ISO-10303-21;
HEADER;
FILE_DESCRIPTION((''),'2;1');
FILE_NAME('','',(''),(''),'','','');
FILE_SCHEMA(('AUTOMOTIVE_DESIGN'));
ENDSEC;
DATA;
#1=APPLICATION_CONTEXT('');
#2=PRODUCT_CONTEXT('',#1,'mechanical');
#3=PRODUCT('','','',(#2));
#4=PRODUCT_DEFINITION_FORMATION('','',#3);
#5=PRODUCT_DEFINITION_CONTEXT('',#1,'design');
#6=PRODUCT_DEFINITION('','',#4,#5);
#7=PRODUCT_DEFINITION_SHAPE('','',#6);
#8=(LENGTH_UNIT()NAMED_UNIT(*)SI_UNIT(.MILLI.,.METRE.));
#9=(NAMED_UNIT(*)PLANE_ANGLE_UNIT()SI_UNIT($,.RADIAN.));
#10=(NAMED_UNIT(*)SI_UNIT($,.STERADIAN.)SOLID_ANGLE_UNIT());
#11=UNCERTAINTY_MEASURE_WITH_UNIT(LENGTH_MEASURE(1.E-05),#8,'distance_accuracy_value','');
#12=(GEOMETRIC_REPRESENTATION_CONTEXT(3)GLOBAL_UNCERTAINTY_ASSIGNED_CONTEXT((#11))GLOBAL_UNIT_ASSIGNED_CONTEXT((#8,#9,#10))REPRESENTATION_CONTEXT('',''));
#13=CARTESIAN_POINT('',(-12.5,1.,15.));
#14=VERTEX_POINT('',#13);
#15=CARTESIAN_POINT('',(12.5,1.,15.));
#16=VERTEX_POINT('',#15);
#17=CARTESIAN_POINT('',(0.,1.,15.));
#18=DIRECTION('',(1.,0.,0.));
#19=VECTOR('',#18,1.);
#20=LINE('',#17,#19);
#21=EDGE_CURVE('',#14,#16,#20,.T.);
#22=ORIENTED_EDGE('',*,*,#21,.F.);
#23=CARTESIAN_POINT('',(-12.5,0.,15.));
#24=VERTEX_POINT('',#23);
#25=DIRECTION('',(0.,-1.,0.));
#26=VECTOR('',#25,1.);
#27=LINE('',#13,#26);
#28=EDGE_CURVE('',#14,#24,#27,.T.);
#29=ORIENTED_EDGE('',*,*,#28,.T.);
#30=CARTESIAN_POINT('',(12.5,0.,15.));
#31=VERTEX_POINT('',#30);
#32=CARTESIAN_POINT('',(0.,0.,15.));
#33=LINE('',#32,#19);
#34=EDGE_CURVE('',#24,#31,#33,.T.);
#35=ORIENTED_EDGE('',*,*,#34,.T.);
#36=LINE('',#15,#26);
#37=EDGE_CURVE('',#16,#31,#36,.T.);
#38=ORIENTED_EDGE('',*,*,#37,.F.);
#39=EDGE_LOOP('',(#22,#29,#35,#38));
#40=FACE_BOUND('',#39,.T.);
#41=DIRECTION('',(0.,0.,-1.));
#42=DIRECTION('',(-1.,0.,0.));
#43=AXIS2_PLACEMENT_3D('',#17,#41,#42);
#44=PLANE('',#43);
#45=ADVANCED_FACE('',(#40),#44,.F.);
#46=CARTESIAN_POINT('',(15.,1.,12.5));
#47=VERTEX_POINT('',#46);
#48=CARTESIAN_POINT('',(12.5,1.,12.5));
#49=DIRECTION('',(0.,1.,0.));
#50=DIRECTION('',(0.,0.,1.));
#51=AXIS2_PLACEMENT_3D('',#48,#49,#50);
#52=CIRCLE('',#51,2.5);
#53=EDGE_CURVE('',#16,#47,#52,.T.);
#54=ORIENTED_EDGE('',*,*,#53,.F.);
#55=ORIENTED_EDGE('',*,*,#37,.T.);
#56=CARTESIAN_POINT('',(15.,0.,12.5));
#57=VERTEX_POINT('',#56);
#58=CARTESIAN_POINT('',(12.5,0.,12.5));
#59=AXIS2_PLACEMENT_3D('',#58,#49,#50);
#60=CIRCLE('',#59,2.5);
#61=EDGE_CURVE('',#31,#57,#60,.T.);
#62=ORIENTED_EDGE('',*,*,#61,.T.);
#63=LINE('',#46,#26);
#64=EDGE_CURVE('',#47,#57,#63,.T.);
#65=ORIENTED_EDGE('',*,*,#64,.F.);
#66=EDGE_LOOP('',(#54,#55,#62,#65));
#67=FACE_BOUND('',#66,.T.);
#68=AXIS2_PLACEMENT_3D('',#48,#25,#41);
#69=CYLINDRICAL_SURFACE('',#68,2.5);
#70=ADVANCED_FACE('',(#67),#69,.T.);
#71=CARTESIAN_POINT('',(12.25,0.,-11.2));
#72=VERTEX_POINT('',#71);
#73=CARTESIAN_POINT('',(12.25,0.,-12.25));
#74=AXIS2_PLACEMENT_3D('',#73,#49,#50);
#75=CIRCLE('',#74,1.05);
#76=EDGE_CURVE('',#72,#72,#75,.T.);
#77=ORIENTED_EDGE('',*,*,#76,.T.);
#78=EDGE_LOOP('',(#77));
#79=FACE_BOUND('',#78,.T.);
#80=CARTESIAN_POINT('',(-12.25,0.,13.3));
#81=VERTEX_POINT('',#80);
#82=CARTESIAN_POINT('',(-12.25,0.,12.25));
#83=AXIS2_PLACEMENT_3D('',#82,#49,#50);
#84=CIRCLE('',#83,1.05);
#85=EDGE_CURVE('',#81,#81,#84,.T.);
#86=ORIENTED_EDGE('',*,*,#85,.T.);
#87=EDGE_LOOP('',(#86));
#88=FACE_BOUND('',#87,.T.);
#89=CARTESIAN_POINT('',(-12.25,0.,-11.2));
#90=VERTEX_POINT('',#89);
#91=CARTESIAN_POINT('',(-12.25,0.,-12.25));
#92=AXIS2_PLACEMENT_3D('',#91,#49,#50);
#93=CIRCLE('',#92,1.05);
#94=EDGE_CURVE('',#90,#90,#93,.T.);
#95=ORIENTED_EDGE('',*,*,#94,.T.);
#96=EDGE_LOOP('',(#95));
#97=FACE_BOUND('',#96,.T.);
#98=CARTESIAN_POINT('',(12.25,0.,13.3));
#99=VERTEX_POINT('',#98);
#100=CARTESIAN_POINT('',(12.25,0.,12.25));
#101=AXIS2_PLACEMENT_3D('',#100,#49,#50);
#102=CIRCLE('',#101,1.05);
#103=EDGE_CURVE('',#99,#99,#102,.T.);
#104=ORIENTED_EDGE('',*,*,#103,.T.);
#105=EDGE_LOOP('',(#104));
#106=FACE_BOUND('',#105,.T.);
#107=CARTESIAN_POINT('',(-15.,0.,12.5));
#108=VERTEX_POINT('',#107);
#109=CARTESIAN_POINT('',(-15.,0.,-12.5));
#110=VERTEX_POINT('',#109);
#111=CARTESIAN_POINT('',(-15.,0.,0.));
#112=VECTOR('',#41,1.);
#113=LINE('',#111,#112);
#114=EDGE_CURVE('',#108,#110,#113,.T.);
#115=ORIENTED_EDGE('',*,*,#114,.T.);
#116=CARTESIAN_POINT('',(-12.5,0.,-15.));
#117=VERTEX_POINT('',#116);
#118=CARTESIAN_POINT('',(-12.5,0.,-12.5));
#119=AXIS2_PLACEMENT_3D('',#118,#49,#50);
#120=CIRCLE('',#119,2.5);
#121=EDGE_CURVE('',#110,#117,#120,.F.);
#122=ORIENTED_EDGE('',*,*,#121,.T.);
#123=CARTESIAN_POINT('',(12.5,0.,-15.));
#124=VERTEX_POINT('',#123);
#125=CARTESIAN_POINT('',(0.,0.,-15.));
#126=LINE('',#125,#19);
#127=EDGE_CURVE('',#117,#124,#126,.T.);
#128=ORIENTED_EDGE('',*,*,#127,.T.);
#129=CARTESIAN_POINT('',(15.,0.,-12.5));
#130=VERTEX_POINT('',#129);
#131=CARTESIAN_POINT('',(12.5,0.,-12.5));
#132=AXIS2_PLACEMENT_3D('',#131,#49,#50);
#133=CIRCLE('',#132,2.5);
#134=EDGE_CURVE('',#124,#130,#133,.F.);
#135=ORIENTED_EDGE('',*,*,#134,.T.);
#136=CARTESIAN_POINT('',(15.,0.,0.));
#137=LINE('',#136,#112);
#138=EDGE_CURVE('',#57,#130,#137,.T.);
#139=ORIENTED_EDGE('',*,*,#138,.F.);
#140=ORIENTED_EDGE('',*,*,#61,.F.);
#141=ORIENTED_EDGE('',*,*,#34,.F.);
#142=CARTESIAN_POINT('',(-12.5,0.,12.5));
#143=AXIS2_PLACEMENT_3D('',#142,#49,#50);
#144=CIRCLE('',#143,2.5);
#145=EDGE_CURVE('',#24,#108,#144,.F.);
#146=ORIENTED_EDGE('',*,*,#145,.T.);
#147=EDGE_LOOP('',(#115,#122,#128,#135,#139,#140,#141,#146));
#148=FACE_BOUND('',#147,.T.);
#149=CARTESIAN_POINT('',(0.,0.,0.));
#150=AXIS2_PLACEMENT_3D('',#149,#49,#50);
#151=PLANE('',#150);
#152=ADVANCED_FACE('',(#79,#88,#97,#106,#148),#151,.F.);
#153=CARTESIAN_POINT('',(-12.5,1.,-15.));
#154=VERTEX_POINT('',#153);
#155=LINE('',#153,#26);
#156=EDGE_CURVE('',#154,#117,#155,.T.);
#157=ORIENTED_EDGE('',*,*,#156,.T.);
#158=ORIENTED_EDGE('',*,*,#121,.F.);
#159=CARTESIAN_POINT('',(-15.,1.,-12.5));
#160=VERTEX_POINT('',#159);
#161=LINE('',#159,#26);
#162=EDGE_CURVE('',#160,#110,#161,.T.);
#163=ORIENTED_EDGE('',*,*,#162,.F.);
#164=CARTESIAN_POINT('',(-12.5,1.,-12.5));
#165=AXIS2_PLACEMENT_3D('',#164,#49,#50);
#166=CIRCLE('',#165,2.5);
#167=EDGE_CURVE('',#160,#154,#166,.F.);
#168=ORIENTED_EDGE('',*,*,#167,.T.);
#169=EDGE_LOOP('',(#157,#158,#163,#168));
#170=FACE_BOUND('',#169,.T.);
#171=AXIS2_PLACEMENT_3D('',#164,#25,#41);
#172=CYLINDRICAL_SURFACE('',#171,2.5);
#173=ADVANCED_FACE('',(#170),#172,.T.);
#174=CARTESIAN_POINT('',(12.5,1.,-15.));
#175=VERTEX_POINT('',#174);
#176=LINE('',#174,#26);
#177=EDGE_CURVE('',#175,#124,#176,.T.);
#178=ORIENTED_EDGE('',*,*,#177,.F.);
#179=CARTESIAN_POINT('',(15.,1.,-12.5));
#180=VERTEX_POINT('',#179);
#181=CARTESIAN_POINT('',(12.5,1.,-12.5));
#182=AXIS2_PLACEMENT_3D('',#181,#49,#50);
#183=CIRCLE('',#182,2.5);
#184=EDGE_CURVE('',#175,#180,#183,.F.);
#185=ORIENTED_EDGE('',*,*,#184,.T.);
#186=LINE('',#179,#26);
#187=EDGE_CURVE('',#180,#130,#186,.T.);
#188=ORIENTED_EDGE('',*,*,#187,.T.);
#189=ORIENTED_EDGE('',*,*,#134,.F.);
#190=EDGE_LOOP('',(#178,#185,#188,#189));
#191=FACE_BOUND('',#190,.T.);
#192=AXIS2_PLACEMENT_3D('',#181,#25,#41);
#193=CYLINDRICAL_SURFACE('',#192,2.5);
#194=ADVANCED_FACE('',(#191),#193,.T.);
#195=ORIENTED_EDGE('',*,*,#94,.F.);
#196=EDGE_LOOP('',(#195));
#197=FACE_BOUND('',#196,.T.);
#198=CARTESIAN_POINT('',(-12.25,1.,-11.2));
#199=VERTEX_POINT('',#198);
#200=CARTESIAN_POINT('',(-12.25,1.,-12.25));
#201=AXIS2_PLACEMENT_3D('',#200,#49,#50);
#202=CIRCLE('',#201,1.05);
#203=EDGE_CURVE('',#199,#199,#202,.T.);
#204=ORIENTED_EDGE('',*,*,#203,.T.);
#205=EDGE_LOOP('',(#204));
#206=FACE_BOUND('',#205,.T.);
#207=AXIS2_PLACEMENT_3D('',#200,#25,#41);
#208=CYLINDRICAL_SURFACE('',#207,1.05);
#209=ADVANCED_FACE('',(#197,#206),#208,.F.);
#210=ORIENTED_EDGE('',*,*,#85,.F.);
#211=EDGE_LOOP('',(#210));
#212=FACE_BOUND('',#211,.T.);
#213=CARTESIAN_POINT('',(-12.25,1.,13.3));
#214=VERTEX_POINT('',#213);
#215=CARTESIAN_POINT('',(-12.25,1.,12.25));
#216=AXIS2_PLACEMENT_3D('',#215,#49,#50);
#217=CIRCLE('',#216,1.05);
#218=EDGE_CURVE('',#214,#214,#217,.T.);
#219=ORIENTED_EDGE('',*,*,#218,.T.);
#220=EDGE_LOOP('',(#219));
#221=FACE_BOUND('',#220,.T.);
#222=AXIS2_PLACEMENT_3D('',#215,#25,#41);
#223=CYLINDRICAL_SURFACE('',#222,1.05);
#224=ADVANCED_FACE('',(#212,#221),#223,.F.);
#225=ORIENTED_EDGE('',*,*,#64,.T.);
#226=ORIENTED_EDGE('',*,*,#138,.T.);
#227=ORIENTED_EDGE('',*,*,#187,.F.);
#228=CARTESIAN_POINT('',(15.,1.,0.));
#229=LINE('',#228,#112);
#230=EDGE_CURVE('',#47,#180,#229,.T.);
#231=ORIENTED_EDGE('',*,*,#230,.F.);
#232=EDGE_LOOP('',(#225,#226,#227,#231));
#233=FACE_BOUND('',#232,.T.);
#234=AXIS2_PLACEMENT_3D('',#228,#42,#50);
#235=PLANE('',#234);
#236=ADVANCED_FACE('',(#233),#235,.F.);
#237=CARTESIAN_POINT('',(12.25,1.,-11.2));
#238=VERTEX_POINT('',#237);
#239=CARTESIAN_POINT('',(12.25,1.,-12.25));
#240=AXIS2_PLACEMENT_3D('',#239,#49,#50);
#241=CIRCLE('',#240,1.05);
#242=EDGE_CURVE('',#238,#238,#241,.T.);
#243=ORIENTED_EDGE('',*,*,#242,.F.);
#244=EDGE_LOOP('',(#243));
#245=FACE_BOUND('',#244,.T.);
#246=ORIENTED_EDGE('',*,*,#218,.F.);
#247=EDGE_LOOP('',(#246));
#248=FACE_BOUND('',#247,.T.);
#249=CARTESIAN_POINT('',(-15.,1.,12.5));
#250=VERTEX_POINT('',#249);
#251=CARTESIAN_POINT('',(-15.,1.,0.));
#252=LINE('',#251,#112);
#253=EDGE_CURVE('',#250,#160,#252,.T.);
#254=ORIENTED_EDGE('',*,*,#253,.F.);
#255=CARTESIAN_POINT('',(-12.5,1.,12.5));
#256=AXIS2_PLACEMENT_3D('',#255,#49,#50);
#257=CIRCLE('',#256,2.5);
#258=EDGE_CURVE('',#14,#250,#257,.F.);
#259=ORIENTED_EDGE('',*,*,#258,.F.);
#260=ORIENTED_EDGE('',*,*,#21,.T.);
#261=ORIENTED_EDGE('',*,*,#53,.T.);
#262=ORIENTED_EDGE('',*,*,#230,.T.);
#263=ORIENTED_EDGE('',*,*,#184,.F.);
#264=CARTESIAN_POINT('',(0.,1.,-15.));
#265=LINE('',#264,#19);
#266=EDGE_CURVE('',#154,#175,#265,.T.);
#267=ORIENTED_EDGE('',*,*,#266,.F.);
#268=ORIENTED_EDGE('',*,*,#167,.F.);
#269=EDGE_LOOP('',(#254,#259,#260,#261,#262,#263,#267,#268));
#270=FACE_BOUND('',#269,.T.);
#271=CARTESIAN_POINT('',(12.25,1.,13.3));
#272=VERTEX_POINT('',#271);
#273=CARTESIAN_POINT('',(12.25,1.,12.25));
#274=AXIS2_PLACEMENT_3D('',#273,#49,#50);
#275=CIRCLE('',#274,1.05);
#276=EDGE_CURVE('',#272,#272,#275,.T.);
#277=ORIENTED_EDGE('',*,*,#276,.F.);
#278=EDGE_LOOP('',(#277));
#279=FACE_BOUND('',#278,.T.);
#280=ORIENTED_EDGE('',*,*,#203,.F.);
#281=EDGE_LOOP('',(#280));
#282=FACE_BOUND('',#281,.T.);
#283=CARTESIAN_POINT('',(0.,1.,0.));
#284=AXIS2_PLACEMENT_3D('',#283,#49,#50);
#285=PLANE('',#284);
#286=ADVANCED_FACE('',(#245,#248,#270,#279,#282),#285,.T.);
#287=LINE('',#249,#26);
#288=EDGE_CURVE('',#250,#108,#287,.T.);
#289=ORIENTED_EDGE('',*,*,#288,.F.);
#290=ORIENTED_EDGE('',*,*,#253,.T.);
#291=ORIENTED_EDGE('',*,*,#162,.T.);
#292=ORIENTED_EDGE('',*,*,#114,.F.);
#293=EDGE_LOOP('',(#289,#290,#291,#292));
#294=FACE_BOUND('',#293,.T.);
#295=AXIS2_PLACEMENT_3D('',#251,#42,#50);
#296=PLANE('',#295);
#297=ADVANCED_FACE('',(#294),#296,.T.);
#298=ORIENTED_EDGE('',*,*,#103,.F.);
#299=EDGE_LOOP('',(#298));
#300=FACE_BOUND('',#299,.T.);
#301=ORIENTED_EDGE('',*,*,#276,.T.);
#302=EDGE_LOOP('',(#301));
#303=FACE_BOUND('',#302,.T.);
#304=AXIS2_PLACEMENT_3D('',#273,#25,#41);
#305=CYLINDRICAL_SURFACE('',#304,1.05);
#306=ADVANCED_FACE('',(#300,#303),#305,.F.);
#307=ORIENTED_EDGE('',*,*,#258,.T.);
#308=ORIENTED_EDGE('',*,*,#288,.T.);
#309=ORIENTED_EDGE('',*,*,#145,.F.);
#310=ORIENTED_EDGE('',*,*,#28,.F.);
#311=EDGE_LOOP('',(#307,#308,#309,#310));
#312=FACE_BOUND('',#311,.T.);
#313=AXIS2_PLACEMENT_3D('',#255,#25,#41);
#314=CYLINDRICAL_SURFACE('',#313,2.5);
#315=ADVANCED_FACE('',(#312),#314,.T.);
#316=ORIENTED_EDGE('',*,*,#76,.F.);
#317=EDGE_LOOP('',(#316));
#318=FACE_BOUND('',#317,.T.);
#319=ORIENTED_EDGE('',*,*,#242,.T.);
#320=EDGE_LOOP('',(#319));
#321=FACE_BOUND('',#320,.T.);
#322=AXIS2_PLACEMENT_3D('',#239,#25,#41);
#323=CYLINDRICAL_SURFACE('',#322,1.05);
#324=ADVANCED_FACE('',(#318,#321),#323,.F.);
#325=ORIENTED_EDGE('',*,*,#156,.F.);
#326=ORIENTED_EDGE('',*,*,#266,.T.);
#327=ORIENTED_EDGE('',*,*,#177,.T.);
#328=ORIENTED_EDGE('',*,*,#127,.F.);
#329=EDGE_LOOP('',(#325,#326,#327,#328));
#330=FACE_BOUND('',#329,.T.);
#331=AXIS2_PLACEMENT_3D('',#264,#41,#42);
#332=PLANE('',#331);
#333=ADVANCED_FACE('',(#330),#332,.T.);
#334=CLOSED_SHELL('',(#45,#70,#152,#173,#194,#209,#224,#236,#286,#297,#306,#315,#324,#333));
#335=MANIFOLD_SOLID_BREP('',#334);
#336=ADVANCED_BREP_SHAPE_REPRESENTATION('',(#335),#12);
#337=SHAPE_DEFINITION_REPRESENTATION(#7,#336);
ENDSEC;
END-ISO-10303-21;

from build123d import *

# Parameters (mm, degrees)
BOSS_EXTRUDE1_DEPTH = 1


with BuildPart() as part:
    # Sketch1 → Boss-Extrude1 (new body)
    with BuildSketch(Plane(origin=(0, 0, 0), x_dir=(1, 0, 0), z_dir=(0, 1, 0))):
        with BuildLine():
            Line((-12.25, -13.3), (-12.25, -15))
            Line((-12.25, -15), (12.25, -15))
            Line((12.25, -15), (12.25, -13.3))
            ThreePointArc((12.25, -13.3), (11.50753788, -11.50753788), (13.3, -12.25))
            Line((13.3, -12.25), (15, -12.25))
            Line((15, -12.25), (15, 12.25))
            Line((15, 12.25), (13.3, 12.25))
            ThreePointArc((13.3, 12.25), (11.50753788, 11.50753788), (12.25, 13.3))
            Line((12.25, 13.3), (12.25, 15))
            Line((12.25, 15), (-12.25, 15))
            Line((-12.25, 15), (-12.25, 13.3))
            ThreePointArc((-12.25, 13.3), (-11.50753788, 12.99246212), (-11.2, 12.25))
            ThreePointArc((-11.2, 12.25), (-12.25, 11.2), (-13.3, 12.25))
            Line((-13.3, 12.25), (-15, 12.25))
            Line((-15, 12.25), (-15, -12.25))
            Line((-15, -12.25), (-13.3, -12.25))
            ThreePointArc((-13.3, -12.25), (-12.25, -11.2), (-11.2, -12.25))
            ThreePointArc((-11.2, -12.25), (-11.50753788, -12.99246212), (-12.25, -13.3))
        make_face()
        with BuildLine():
            Line((-15, 12.5), (-15, 12.25))
            Line((-15, 12.25), (-13.3, 12.25))
            ThreePointArc((-13.3, 12.25), (-12.99246212, 12.99246212), (-12.25, 13.3))
            Line((-12.25, 13.3), (-12.25, 15))
            Line((-12.25, 15), (-12.5, 15))
            ThreePointArc((-12.5, 15), (-14.267766953, 14.267766953), (-15, 12.5))
        make_face()
        with BuildLine():
            Line((13.3, 12.25), (15, 12.25))
            Line((15, 12.25), (15, 12.5))
            ThreePointArc((15, 12.5), (14.267766953, 14.267766953), (12.5, 15))
            Line((12.5, 15), (12.25, 15))
            Line((12.25, 15), (12.25, 13.3))
            ThreePointArc((12.25, 13.3), (12.99246212, 12.99246212), (13.3, 12.25))
        make_face()
        with BuildLine():
            Line((12.25, -13.3), (12.25, -15))
            Line((12.25, -15), (12.5, -15))
            ThreePointArc((12.5, -15), (14.267766953, -14.267766953), (15, -12.5))
            Line((15, -12.5), (15, -12.25))
            Line((15, -12.25), (13.3, -12.25))
            ThreePointArc((13.3, -12.25), (12.99246212, -12.99246212), (12.25, -13.3))
        make_face()
        with BuildLine():
            ThreePointArc((-15, -12.5), (-14.267766953, -14.267766953), (-12.5, -15))
            Line((-12.5, -15), (-12.25, -15))
            Line((-12.25, -15), (-12.25, -13.3))
            ThreePointArc((-12.25, -13.3), (-12.99246212, -12.99246212), (-13.3, -12.25))
            Line((-13.3, -12.25), (-15, -12.25))
            Line((-15, -12.25), (-15, -12.5))
        make_face()
    extrude(amount=BOSS_EXTRUDE1_DEPTH)


solid = part.part
